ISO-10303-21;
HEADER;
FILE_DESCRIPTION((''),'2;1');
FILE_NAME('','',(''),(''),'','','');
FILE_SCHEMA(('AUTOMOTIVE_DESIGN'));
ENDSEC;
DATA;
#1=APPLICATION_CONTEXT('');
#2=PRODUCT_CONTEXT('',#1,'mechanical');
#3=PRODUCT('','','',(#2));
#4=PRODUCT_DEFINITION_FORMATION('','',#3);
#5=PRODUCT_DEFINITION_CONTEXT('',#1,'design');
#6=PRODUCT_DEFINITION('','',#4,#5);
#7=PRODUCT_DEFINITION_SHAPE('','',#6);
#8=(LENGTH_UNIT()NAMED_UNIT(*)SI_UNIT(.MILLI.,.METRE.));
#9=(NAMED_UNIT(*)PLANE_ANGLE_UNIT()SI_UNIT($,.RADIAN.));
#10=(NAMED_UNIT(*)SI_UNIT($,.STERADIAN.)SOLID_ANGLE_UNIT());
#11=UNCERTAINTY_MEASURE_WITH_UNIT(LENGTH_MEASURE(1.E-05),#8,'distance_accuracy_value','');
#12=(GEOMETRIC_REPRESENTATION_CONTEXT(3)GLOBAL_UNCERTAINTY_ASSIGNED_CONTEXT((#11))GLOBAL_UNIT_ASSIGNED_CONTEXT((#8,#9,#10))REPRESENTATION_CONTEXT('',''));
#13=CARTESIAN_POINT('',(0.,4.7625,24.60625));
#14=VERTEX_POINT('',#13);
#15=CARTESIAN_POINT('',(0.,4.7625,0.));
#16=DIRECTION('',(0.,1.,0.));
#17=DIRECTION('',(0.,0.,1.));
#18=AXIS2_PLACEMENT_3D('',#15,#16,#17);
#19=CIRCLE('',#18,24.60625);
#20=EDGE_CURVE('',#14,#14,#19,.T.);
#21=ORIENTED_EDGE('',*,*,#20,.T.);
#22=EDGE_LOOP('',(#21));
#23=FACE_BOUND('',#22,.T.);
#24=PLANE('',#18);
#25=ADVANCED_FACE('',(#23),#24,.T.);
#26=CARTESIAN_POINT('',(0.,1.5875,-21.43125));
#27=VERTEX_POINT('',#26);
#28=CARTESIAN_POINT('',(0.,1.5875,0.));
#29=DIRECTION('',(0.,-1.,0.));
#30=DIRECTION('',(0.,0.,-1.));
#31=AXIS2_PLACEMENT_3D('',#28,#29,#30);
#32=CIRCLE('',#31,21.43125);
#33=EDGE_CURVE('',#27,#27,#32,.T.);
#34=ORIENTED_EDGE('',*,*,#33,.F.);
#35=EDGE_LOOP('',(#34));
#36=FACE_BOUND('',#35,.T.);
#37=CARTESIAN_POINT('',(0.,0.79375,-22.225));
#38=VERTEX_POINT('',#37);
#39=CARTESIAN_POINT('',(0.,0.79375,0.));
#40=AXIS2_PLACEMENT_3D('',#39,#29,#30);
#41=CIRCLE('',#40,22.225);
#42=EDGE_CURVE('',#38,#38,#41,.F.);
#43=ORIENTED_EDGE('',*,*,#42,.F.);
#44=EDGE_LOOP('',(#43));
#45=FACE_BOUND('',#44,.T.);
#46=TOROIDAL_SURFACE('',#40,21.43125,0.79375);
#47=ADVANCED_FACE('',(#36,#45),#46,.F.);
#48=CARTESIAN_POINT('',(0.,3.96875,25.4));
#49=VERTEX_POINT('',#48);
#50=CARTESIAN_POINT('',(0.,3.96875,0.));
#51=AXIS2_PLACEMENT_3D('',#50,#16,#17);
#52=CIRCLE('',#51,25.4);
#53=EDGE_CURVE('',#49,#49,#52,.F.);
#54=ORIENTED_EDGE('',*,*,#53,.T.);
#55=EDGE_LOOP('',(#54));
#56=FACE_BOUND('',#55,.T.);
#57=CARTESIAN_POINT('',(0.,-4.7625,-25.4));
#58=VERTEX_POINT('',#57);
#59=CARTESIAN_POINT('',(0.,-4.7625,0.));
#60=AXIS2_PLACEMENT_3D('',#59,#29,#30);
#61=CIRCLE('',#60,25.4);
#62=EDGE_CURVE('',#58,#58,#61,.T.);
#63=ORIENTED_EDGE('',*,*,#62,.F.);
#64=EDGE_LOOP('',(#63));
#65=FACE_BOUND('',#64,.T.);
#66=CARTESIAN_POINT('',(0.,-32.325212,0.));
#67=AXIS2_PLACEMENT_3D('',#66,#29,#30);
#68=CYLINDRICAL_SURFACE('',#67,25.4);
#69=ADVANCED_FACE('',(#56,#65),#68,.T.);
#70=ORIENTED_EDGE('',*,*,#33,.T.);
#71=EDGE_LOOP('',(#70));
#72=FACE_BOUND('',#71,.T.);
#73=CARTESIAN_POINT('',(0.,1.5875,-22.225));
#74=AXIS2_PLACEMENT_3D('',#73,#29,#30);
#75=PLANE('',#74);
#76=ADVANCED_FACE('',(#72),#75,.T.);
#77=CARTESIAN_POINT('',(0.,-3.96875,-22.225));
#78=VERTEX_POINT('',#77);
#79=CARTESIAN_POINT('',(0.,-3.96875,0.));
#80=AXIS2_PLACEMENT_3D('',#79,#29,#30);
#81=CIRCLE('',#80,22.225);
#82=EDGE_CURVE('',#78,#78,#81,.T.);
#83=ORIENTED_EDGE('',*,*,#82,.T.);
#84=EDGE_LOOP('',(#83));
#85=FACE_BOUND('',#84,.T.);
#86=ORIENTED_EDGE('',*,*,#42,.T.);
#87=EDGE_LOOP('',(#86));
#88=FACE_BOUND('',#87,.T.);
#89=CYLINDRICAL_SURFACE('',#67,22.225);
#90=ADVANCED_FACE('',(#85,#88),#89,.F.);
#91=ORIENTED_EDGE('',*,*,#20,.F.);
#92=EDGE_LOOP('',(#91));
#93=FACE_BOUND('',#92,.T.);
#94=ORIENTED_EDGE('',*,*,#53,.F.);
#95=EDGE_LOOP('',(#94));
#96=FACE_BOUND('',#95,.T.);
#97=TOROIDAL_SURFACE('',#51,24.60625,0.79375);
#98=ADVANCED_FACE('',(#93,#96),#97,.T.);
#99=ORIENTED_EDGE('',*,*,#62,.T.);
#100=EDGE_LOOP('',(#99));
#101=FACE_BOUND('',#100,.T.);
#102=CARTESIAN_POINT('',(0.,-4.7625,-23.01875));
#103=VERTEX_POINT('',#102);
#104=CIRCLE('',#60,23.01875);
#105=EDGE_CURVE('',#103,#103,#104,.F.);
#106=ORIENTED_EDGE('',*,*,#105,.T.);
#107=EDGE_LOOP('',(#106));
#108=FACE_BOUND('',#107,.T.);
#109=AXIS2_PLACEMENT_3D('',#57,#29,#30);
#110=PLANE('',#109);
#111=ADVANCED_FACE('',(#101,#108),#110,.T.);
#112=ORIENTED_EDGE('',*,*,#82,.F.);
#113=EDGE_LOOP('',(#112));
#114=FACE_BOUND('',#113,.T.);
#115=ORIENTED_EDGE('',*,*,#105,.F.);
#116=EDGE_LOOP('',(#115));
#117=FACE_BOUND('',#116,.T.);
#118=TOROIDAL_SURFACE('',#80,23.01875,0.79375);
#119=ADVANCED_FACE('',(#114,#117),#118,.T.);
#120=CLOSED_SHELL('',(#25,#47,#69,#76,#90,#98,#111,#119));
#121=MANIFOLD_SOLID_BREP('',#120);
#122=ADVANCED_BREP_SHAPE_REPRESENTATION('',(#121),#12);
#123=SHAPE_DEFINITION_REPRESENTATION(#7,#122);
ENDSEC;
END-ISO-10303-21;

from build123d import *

# Parameters (mm, degrees)
FILLET1_R = 0.79375


with BuildPart() as part:
    # Sketch1 → Revolve1 (revolve)
    with BuildSketch(Plane(origin=(0, 0, 0), x_dir=(0, 0, -1), z_dir=(1, 0, 0))):
        Polygon((0, 4.7625), (25.4, 4.7625), (25.4, -4.7625), (22.225, -4.7625), (22.225, 1.5875), (0, 1.5875), align=None)
    revolve(axis=Axis((0, -32.325211936, 0), (0, 1, 0)))

    # Fillet1
    fillet1_edges = [part.edges().sort_by_distance(p)[0] for p in [
        (0, 1.5875, 22.225),
        (0, -4.7625, 22.225),
        (0, 4.7625, 25.4),
    ]]
    fillet(fillet1_edges, radius=FILLET1_R)


solid = part.part
